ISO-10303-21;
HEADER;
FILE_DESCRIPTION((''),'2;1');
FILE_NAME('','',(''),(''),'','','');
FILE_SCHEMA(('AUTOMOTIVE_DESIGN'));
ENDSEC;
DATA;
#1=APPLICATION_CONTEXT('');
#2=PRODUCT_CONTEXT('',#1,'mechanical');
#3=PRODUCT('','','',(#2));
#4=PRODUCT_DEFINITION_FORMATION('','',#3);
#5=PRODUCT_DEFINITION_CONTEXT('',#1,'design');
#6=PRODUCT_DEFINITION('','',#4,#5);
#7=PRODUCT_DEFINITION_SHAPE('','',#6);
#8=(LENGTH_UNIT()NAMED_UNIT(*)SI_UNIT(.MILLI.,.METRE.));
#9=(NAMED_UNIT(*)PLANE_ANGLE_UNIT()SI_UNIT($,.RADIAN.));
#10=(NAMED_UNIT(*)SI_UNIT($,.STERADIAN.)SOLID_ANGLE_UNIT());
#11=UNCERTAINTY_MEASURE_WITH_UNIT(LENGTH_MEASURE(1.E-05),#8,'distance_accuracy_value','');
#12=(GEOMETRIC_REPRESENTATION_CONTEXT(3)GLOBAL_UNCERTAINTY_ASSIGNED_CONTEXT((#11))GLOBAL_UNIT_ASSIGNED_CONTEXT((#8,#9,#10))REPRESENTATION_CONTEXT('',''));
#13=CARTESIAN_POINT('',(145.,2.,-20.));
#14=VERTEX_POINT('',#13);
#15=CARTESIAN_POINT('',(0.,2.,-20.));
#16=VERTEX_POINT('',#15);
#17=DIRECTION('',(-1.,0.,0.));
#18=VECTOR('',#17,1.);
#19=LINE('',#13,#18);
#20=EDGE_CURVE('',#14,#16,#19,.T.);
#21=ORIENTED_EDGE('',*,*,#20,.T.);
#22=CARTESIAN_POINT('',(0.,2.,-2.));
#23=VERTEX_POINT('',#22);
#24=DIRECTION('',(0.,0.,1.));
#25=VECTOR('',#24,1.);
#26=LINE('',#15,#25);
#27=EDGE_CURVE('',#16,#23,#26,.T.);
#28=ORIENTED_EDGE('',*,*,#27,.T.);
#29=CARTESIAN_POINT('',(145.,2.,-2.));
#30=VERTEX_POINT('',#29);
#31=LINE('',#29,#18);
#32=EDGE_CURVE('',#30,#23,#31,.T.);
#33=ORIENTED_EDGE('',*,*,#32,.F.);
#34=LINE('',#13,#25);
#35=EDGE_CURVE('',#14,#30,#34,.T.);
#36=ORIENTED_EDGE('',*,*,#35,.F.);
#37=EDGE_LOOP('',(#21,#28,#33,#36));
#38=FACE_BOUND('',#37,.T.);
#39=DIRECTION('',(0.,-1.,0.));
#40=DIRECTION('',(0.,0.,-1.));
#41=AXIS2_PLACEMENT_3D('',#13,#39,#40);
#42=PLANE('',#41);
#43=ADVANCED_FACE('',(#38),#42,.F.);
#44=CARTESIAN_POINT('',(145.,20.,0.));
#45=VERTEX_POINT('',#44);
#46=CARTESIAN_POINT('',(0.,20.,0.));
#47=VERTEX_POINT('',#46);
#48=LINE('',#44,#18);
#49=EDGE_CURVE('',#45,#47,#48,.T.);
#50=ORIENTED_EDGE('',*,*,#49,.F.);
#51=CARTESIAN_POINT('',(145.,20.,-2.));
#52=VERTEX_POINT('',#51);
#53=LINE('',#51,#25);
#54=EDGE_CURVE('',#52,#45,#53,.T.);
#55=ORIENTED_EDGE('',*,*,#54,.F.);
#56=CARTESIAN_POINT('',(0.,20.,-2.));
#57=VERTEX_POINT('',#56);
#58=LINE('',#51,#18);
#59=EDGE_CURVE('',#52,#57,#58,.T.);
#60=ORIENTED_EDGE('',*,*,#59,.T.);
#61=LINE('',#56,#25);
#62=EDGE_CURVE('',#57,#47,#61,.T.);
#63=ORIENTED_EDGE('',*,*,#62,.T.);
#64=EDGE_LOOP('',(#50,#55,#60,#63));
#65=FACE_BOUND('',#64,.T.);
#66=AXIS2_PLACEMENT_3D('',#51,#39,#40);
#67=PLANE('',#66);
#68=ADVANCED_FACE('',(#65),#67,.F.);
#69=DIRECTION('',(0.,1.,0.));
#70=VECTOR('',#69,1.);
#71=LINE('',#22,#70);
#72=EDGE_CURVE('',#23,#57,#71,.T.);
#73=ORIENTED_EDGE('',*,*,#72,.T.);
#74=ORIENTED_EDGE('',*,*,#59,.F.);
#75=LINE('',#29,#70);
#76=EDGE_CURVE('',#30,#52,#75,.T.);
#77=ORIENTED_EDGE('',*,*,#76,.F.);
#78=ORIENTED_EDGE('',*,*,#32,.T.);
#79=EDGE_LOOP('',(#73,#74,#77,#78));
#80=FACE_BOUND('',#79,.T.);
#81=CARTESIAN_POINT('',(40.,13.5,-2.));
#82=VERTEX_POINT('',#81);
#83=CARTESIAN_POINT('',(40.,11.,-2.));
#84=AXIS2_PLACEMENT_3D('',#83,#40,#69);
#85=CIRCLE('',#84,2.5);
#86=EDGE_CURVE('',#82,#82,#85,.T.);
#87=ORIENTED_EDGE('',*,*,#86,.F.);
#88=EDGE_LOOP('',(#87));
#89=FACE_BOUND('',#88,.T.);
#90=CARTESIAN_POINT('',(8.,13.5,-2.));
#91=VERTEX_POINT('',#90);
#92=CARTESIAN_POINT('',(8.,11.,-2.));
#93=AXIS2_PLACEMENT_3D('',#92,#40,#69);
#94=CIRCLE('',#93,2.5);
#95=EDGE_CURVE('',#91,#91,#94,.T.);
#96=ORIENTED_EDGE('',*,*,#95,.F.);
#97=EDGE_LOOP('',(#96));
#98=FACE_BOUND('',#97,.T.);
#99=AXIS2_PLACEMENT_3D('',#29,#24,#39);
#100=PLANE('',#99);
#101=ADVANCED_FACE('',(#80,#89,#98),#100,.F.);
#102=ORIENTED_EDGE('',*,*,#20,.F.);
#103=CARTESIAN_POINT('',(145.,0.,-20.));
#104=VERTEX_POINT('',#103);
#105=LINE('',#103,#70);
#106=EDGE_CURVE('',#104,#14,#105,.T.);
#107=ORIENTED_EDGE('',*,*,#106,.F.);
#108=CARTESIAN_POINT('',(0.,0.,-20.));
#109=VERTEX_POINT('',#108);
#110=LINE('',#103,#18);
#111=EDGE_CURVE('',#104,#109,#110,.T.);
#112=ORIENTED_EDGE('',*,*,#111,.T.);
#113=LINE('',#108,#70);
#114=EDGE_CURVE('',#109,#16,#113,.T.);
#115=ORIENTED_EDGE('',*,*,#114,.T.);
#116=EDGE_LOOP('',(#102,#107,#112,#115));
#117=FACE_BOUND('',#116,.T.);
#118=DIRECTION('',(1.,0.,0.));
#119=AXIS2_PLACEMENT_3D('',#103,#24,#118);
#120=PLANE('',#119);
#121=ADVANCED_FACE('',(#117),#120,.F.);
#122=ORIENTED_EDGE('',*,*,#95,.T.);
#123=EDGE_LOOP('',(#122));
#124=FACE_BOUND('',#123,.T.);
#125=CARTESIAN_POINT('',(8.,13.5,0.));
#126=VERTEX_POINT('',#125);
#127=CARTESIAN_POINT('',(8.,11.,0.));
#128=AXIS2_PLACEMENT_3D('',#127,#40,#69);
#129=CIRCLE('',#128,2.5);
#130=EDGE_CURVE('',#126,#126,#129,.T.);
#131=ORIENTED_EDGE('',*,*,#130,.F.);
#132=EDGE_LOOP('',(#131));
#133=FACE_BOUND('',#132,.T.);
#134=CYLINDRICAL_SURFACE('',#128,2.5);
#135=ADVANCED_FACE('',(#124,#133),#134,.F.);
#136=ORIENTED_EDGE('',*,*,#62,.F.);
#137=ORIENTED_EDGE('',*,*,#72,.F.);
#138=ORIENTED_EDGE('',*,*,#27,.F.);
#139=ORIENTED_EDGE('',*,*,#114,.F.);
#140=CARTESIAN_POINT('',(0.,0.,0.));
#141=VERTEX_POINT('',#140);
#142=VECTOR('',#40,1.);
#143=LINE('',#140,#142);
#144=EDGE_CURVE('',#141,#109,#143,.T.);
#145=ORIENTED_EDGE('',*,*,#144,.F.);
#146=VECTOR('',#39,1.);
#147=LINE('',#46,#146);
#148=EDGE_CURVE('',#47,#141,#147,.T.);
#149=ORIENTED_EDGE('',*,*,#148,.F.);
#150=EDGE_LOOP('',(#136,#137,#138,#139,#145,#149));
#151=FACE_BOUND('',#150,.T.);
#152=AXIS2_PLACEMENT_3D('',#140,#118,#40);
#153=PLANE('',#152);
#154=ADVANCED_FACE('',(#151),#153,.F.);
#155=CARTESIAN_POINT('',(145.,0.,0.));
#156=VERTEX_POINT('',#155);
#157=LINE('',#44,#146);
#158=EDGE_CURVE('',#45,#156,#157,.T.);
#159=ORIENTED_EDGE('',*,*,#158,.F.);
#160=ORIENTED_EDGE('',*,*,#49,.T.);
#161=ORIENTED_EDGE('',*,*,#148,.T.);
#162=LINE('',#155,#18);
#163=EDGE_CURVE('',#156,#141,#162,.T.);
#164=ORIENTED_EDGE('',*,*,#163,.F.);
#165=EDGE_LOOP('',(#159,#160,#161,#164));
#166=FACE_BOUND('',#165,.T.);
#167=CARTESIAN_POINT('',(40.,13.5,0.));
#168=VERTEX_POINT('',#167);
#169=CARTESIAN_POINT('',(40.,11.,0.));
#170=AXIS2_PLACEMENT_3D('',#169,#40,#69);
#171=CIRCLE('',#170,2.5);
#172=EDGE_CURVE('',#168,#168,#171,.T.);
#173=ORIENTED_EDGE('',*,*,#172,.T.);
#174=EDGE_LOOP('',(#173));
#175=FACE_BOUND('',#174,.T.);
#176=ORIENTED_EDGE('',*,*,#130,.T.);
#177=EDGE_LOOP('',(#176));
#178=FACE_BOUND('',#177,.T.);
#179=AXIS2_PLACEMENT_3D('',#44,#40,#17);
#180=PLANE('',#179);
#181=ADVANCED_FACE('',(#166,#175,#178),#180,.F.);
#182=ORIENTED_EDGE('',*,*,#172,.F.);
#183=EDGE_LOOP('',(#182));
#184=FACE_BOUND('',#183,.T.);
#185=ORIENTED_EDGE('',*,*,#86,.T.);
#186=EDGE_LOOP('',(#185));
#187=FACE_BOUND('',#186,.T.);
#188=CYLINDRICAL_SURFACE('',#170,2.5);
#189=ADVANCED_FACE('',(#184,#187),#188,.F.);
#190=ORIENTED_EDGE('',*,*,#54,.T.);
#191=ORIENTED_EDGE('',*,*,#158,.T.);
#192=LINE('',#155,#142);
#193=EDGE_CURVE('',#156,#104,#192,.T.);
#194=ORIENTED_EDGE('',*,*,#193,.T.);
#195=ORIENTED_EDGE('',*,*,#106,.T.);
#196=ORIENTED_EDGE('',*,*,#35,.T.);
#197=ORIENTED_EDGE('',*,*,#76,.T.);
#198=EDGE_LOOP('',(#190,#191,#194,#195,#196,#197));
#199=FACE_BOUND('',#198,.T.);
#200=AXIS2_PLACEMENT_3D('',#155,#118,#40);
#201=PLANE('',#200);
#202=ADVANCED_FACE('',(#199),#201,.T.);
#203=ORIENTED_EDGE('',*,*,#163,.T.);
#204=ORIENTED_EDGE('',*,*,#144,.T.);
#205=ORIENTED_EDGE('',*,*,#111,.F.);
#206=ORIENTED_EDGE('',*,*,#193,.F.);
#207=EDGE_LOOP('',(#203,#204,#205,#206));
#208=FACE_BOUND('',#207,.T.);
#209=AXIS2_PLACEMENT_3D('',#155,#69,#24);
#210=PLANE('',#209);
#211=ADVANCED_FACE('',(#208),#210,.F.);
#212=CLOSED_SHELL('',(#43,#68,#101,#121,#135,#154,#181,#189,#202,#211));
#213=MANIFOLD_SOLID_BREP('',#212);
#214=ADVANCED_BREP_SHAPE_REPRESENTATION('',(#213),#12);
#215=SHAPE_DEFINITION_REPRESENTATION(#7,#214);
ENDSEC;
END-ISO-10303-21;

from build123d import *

# Parameters (mm, degrees)
BOSS_EXTRUDE1_DEPTH = 145
SKETCH2_R           = 2.5
CUT_EXTRUDE1_DEPTH  = 2


with BuildPart() as part:
    # Sketch1 → Boss-Extrude1 (new body)
    with BuildSketch(Plane(origin=(0, 0, 0), x_dir=(0, 0, -1), z_dir=(1, 0, 0))):
        Polygon((0, 20), (0, 0), (20, 0), (20, 2), (2, 2), (2, 20), align=None)
    extrude(amount=BOSS_EXTRUDE1_DEPTH)

    # Sketch2 → Cut-Extrude1 (cut)
    with BuildSketch(Plane(origin=(0, 0, -2), x_dir=(-1, 0, 0), z_dir=(0, 0, -1))):
        with Locations(Location((-8, 11, 0), (0, 0, 90))):
            Circle(SKETCH2_R)
        with Locations(Location((-40, 11, 0), (0, 0, 90))):
            Circle(SKETCH2_R)
    extrude(amount=-CUT_EXTRUDE1_DEPTH, mode=Mode.SUBTRACT)


solid = part.part
